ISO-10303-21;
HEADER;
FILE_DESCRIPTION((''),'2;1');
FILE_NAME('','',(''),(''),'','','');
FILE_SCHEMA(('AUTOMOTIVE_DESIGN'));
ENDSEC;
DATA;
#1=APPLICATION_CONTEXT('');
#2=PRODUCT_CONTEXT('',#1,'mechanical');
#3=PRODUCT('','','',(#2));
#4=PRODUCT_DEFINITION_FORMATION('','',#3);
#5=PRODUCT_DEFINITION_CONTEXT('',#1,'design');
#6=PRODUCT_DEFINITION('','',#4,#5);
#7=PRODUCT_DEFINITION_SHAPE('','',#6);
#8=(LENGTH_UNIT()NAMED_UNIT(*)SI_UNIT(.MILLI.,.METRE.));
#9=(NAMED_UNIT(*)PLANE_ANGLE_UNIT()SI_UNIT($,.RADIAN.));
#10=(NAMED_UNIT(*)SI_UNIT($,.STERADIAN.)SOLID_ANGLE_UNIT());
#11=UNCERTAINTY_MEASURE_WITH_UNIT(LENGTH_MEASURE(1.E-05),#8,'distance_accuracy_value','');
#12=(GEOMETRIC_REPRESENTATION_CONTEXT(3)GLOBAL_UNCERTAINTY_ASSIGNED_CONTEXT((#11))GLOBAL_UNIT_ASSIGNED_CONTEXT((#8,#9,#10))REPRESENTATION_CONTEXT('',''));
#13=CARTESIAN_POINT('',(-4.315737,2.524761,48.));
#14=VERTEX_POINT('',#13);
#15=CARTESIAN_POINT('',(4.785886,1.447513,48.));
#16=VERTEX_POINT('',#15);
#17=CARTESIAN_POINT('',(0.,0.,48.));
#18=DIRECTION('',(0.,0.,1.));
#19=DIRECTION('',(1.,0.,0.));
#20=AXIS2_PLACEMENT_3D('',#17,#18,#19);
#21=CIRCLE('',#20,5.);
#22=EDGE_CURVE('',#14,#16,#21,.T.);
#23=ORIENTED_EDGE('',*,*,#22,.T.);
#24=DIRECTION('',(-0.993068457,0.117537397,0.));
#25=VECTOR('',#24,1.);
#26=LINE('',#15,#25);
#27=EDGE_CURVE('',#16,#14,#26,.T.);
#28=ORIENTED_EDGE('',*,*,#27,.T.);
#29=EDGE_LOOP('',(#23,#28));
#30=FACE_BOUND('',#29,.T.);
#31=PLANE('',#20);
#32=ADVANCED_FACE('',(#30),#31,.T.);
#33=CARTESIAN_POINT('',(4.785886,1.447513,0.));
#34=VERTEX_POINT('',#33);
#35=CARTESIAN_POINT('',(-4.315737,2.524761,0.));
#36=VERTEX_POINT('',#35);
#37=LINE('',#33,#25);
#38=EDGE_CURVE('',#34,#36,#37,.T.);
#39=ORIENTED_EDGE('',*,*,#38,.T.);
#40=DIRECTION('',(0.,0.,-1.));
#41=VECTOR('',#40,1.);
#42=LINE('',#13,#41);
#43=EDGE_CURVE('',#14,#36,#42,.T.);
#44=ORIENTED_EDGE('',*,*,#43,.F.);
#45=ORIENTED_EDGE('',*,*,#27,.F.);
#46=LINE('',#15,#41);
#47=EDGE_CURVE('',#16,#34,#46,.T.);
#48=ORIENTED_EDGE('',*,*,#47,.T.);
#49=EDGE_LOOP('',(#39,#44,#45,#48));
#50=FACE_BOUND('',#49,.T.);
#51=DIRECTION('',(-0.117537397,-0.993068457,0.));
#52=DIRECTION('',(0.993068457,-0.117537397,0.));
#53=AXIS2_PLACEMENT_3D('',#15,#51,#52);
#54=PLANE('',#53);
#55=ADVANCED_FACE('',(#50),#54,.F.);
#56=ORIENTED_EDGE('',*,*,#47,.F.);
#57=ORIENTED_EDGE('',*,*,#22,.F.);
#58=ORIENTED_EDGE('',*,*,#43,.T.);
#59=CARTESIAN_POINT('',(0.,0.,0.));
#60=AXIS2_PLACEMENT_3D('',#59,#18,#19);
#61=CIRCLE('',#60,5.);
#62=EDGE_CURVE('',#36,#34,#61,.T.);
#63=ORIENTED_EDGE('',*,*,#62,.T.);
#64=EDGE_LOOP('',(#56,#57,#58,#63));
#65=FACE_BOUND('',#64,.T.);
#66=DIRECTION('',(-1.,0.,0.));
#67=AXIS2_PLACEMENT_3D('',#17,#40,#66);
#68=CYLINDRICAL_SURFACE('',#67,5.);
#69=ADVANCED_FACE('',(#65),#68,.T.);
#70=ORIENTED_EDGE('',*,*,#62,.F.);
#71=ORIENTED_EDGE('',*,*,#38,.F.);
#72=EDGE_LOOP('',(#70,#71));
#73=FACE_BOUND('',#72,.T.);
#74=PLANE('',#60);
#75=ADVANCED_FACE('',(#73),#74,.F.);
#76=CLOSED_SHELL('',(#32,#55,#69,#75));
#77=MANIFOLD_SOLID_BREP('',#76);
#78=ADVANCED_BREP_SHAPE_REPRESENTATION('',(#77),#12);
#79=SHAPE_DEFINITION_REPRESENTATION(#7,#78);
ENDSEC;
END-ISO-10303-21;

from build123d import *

# Parameters (mm, degrees)
EXTRUDE_1_DEPTH = 48


with BuildPart() as part:
    # 草图1 → 凸台-拉伸1 (new body)
    with BuildSketch(Plane.XY):
        with BuildLine():
            Line((4.785886169, 1.447512893), (-4.315736579, 2.524760935))
            ThreePointArc((-4.315736579, 2.524760935), (-0.587686987, -4.965342285), (4.785886169, 1.447512893))
        make_face()
    extrude(amount=EXTRUDE_1_DEPTH)


solid = part.part
